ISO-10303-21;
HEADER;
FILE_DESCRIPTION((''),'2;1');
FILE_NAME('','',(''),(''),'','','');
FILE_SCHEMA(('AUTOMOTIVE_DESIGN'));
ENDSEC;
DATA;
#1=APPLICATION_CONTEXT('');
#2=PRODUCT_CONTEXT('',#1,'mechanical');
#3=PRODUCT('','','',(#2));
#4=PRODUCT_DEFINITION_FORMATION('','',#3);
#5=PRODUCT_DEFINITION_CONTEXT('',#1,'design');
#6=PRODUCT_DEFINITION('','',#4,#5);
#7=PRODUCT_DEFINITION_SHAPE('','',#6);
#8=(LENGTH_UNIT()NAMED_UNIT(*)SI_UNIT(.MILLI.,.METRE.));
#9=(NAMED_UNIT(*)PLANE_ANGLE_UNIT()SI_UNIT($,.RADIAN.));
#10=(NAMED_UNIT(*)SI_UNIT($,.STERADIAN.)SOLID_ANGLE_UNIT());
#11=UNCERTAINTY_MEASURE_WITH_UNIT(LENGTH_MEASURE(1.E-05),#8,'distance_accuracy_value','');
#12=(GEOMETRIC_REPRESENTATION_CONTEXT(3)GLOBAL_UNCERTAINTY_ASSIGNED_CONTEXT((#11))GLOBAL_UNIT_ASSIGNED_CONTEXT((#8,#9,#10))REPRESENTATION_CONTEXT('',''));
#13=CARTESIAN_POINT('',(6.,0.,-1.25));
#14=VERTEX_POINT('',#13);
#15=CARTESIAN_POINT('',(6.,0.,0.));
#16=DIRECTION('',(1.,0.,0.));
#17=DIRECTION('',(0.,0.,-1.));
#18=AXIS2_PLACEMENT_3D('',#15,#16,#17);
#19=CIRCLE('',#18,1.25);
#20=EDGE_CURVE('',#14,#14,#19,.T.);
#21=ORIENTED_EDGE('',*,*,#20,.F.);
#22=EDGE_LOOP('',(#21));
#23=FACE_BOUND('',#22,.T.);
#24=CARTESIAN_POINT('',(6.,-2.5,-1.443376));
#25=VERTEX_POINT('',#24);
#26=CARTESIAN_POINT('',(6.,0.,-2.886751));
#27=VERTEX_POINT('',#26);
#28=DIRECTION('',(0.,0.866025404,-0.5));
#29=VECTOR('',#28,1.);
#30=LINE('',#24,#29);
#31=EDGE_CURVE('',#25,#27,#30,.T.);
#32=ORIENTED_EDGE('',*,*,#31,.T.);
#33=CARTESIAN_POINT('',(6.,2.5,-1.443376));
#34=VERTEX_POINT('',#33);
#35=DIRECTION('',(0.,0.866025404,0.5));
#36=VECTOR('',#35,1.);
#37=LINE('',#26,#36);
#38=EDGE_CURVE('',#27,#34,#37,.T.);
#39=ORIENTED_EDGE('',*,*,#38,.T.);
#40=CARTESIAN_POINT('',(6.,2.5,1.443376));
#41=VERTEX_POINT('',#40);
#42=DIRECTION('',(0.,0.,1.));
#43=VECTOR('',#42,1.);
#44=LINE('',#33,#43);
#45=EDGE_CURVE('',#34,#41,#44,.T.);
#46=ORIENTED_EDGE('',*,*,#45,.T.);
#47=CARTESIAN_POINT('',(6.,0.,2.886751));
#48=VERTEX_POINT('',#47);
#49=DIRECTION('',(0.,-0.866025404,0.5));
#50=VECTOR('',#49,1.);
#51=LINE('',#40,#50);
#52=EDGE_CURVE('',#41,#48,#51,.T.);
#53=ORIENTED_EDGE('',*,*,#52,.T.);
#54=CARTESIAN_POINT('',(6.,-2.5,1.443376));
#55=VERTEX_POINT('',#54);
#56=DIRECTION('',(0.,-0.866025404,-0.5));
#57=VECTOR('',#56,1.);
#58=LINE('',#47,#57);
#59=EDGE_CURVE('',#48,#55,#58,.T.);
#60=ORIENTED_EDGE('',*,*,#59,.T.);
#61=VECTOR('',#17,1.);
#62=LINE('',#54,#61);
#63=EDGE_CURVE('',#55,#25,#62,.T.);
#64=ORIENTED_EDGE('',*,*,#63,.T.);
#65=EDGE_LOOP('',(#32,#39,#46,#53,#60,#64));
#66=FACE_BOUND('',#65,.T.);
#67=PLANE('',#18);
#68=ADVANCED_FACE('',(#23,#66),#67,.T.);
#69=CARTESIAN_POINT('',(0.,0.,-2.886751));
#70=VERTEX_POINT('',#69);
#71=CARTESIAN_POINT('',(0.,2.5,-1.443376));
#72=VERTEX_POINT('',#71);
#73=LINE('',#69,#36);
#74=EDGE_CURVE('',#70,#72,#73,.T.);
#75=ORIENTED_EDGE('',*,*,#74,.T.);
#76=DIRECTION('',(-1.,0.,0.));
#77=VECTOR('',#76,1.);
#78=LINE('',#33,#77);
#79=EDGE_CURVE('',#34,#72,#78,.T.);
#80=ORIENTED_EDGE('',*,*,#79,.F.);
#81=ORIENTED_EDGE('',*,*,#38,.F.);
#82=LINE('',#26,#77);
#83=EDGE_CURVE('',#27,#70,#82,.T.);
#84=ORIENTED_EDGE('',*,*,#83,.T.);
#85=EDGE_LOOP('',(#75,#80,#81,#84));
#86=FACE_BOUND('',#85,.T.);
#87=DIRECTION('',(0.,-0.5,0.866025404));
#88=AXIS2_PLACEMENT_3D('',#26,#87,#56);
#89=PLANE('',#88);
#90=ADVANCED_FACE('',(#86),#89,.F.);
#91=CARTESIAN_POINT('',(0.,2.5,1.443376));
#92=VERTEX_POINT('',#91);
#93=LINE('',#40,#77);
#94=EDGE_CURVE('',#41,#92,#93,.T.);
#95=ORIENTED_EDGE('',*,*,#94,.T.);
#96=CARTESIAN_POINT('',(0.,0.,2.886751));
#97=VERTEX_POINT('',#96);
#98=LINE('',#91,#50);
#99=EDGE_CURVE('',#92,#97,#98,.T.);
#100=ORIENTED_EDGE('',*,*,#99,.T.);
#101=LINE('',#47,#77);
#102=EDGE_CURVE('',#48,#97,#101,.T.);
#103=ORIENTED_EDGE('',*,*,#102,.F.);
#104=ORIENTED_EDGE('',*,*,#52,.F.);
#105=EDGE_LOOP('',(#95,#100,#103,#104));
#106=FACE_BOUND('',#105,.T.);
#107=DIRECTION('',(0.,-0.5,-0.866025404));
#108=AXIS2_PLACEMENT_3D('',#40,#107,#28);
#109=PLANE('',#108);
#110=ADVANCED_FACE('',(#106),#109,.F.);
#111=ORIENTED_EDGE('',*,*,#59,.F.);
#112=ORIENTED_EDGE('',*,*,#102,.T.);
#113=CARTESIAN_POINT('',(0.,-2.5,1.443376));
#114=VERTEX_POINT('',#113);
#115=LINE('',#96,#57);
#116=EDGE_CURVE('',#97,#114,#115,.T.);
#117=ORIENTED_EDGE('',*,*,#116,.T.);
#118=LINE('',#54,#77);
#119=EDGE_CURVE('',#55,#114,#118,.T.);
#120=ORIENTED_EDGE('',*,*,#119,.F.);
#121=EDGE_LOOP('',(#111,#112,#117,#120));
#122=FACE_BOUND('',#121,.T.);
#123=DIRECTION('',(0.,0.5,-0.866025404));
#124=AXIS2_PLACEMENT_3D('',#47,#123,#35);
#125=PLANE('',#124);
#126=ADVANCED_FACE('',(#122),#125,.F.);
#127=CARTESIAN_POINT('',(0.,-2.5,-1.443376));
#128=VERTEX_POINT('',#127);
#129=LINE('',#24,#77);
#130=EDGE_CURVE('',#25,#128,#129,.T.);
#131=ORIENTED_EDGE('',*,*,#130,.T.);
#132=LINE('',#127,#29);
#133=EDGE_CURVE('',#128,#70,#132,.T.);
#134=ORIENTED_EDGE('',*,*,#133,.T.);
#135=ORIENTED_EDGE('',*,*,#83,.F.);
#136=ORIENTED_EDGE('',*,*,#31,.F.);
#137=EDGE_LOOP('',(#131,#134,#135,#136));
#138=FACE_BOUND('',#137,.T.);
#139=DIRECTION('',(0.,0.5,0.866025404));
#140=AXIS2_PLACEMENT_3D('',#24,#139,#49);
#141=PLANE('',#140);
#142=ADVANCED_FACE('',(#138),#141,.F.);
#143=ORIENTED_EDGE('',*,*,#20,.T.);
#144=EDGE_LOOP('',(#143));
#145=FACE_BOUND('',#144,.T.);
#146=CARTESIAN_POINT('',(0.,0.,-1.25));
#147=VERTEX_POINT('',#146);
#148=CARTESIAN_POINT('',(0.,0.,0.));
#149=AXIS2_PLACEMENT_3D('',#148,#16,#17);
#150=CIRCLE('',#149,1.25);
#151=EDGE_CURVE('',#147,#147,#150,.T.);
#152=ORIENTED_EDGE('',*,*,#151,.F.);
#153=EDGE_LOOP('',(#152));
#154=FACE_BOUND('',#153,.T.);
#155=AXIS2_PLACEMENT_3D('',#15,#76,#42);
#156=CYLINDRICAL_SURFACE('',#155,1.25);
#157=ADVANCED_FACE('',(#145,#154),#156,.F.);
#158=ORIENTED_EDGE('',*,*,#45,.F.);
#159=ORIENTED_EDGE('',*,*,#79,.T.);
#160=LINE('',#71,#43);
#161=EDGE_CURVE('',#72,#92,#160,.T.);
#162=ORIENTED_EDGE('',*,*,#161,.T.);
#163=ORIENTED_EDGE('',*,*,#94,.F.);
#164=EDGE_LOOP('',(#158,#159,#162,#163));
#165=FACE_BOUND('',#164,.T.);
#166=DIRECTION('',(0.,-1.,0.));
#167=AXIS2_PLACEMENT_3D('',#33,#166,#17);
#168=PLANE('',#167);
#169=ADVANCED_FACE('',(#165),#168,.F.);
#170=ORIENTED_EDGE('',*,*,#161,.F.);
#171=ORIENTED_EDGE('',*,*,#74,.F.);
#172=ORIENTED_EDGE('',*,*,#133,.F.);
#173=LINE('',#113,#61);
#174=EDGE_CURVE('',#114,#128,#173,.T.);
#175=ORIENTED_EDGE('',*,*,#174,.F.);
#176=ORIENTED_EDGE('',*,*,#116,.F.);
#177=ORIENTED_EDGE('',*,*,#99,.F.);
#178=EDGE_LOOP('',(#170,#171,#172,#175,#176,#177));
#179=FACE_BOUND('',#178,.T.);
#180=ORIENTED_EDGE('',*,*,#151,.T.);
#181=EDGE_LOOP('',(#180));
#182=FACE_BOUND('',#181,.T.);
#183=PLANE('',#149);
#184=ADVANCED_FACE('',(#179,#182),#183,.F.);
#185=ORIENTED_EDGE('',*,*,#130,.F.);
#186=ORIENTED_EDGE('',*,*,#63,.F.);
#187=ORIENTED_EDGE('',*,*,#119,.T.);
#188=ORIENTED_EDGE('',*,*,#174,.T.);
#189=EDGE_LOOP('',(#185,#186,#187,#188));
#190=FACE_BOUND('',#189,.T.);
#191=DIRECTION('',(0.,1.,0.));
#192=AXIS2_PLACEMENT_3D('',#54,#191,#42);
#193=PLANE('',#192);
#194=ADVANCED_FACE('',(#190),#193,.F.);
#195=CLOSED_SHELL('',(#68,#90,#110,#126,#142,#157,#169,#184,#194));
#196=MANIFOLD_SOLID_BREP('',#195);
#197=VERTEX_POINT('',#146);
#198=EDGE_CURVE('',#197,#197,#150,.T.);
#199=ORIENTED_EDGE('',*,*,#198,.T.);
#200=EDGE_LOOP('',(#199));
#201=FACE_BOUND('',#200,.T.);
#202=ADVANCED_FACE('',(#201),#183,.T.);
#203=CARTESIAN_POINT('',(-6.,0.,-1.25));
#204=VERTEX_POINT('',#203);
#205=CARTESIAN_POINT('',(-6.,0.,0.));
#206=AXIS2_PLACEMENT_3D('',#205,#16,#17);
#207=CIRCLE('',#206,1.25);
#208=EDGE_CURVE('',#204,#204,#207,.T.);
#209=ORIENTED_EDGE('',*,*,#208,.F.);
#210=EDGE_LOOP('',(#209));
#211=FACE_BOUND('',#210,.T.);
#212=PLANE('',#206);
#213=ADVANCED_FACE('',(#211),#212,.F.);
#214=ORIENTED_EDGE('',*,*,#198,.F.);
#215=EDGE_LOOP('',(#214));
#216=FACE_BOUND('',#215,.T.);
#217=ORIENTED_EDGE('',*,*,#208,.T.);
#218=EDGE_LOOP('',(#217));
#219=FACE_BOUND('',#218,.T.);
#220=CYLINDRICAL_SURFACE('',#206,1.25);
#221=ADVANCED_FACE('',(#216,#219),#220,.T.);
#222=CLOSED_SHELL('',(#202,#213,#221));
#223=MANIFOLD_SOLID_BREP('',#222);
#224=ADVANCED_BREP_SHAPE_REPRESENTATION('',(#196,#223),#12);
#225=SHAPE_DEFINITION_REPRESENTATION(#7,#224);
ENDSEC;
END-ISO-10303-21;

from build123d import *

# Parameters (mm, degrees)
SKETCH1_R           = 1.25
BOSS_EXTRUDE1_DEPTH = 6
SKETCH2_R           = 1.25
BOSS_EXTRUDE2_DEPTH = 6


with BuildPart() as part:
    # Sketch1 → Boss-Extrude1 (new body)
    with BuildSketch(Plane(origin=(0, 0, 0), x_dir=(0, 0, -1), z_dir=(1, 0, 0))):
        Circle(SKETCH1_R)
    extrude(amount=-BOSS_EXTRUDE1_DEPTH)


with BuildPart() as body_2:
    # Sketch2 → Boss-Extrude2 (new body)
    with BuildSketch(Plane(origin=(0, 0, 0), x_dir=(0, 0, -1), z_dir=(1, 0, 0))):
        Polygon((2.886751346, 0), (1.443375673, 2.5), (-1.443375673, 2.5), (-2.886751346, 0), (-1.443375673, -2.5), (1.443375673, -2.5), align=None)
        Circle(SKETCH2_R, mode=Mode.SUBTRACT)
    extrude(amount=BOSS_EXTRUDE2_DEPTH)


solid = Compound([part.part, body_2.part])
